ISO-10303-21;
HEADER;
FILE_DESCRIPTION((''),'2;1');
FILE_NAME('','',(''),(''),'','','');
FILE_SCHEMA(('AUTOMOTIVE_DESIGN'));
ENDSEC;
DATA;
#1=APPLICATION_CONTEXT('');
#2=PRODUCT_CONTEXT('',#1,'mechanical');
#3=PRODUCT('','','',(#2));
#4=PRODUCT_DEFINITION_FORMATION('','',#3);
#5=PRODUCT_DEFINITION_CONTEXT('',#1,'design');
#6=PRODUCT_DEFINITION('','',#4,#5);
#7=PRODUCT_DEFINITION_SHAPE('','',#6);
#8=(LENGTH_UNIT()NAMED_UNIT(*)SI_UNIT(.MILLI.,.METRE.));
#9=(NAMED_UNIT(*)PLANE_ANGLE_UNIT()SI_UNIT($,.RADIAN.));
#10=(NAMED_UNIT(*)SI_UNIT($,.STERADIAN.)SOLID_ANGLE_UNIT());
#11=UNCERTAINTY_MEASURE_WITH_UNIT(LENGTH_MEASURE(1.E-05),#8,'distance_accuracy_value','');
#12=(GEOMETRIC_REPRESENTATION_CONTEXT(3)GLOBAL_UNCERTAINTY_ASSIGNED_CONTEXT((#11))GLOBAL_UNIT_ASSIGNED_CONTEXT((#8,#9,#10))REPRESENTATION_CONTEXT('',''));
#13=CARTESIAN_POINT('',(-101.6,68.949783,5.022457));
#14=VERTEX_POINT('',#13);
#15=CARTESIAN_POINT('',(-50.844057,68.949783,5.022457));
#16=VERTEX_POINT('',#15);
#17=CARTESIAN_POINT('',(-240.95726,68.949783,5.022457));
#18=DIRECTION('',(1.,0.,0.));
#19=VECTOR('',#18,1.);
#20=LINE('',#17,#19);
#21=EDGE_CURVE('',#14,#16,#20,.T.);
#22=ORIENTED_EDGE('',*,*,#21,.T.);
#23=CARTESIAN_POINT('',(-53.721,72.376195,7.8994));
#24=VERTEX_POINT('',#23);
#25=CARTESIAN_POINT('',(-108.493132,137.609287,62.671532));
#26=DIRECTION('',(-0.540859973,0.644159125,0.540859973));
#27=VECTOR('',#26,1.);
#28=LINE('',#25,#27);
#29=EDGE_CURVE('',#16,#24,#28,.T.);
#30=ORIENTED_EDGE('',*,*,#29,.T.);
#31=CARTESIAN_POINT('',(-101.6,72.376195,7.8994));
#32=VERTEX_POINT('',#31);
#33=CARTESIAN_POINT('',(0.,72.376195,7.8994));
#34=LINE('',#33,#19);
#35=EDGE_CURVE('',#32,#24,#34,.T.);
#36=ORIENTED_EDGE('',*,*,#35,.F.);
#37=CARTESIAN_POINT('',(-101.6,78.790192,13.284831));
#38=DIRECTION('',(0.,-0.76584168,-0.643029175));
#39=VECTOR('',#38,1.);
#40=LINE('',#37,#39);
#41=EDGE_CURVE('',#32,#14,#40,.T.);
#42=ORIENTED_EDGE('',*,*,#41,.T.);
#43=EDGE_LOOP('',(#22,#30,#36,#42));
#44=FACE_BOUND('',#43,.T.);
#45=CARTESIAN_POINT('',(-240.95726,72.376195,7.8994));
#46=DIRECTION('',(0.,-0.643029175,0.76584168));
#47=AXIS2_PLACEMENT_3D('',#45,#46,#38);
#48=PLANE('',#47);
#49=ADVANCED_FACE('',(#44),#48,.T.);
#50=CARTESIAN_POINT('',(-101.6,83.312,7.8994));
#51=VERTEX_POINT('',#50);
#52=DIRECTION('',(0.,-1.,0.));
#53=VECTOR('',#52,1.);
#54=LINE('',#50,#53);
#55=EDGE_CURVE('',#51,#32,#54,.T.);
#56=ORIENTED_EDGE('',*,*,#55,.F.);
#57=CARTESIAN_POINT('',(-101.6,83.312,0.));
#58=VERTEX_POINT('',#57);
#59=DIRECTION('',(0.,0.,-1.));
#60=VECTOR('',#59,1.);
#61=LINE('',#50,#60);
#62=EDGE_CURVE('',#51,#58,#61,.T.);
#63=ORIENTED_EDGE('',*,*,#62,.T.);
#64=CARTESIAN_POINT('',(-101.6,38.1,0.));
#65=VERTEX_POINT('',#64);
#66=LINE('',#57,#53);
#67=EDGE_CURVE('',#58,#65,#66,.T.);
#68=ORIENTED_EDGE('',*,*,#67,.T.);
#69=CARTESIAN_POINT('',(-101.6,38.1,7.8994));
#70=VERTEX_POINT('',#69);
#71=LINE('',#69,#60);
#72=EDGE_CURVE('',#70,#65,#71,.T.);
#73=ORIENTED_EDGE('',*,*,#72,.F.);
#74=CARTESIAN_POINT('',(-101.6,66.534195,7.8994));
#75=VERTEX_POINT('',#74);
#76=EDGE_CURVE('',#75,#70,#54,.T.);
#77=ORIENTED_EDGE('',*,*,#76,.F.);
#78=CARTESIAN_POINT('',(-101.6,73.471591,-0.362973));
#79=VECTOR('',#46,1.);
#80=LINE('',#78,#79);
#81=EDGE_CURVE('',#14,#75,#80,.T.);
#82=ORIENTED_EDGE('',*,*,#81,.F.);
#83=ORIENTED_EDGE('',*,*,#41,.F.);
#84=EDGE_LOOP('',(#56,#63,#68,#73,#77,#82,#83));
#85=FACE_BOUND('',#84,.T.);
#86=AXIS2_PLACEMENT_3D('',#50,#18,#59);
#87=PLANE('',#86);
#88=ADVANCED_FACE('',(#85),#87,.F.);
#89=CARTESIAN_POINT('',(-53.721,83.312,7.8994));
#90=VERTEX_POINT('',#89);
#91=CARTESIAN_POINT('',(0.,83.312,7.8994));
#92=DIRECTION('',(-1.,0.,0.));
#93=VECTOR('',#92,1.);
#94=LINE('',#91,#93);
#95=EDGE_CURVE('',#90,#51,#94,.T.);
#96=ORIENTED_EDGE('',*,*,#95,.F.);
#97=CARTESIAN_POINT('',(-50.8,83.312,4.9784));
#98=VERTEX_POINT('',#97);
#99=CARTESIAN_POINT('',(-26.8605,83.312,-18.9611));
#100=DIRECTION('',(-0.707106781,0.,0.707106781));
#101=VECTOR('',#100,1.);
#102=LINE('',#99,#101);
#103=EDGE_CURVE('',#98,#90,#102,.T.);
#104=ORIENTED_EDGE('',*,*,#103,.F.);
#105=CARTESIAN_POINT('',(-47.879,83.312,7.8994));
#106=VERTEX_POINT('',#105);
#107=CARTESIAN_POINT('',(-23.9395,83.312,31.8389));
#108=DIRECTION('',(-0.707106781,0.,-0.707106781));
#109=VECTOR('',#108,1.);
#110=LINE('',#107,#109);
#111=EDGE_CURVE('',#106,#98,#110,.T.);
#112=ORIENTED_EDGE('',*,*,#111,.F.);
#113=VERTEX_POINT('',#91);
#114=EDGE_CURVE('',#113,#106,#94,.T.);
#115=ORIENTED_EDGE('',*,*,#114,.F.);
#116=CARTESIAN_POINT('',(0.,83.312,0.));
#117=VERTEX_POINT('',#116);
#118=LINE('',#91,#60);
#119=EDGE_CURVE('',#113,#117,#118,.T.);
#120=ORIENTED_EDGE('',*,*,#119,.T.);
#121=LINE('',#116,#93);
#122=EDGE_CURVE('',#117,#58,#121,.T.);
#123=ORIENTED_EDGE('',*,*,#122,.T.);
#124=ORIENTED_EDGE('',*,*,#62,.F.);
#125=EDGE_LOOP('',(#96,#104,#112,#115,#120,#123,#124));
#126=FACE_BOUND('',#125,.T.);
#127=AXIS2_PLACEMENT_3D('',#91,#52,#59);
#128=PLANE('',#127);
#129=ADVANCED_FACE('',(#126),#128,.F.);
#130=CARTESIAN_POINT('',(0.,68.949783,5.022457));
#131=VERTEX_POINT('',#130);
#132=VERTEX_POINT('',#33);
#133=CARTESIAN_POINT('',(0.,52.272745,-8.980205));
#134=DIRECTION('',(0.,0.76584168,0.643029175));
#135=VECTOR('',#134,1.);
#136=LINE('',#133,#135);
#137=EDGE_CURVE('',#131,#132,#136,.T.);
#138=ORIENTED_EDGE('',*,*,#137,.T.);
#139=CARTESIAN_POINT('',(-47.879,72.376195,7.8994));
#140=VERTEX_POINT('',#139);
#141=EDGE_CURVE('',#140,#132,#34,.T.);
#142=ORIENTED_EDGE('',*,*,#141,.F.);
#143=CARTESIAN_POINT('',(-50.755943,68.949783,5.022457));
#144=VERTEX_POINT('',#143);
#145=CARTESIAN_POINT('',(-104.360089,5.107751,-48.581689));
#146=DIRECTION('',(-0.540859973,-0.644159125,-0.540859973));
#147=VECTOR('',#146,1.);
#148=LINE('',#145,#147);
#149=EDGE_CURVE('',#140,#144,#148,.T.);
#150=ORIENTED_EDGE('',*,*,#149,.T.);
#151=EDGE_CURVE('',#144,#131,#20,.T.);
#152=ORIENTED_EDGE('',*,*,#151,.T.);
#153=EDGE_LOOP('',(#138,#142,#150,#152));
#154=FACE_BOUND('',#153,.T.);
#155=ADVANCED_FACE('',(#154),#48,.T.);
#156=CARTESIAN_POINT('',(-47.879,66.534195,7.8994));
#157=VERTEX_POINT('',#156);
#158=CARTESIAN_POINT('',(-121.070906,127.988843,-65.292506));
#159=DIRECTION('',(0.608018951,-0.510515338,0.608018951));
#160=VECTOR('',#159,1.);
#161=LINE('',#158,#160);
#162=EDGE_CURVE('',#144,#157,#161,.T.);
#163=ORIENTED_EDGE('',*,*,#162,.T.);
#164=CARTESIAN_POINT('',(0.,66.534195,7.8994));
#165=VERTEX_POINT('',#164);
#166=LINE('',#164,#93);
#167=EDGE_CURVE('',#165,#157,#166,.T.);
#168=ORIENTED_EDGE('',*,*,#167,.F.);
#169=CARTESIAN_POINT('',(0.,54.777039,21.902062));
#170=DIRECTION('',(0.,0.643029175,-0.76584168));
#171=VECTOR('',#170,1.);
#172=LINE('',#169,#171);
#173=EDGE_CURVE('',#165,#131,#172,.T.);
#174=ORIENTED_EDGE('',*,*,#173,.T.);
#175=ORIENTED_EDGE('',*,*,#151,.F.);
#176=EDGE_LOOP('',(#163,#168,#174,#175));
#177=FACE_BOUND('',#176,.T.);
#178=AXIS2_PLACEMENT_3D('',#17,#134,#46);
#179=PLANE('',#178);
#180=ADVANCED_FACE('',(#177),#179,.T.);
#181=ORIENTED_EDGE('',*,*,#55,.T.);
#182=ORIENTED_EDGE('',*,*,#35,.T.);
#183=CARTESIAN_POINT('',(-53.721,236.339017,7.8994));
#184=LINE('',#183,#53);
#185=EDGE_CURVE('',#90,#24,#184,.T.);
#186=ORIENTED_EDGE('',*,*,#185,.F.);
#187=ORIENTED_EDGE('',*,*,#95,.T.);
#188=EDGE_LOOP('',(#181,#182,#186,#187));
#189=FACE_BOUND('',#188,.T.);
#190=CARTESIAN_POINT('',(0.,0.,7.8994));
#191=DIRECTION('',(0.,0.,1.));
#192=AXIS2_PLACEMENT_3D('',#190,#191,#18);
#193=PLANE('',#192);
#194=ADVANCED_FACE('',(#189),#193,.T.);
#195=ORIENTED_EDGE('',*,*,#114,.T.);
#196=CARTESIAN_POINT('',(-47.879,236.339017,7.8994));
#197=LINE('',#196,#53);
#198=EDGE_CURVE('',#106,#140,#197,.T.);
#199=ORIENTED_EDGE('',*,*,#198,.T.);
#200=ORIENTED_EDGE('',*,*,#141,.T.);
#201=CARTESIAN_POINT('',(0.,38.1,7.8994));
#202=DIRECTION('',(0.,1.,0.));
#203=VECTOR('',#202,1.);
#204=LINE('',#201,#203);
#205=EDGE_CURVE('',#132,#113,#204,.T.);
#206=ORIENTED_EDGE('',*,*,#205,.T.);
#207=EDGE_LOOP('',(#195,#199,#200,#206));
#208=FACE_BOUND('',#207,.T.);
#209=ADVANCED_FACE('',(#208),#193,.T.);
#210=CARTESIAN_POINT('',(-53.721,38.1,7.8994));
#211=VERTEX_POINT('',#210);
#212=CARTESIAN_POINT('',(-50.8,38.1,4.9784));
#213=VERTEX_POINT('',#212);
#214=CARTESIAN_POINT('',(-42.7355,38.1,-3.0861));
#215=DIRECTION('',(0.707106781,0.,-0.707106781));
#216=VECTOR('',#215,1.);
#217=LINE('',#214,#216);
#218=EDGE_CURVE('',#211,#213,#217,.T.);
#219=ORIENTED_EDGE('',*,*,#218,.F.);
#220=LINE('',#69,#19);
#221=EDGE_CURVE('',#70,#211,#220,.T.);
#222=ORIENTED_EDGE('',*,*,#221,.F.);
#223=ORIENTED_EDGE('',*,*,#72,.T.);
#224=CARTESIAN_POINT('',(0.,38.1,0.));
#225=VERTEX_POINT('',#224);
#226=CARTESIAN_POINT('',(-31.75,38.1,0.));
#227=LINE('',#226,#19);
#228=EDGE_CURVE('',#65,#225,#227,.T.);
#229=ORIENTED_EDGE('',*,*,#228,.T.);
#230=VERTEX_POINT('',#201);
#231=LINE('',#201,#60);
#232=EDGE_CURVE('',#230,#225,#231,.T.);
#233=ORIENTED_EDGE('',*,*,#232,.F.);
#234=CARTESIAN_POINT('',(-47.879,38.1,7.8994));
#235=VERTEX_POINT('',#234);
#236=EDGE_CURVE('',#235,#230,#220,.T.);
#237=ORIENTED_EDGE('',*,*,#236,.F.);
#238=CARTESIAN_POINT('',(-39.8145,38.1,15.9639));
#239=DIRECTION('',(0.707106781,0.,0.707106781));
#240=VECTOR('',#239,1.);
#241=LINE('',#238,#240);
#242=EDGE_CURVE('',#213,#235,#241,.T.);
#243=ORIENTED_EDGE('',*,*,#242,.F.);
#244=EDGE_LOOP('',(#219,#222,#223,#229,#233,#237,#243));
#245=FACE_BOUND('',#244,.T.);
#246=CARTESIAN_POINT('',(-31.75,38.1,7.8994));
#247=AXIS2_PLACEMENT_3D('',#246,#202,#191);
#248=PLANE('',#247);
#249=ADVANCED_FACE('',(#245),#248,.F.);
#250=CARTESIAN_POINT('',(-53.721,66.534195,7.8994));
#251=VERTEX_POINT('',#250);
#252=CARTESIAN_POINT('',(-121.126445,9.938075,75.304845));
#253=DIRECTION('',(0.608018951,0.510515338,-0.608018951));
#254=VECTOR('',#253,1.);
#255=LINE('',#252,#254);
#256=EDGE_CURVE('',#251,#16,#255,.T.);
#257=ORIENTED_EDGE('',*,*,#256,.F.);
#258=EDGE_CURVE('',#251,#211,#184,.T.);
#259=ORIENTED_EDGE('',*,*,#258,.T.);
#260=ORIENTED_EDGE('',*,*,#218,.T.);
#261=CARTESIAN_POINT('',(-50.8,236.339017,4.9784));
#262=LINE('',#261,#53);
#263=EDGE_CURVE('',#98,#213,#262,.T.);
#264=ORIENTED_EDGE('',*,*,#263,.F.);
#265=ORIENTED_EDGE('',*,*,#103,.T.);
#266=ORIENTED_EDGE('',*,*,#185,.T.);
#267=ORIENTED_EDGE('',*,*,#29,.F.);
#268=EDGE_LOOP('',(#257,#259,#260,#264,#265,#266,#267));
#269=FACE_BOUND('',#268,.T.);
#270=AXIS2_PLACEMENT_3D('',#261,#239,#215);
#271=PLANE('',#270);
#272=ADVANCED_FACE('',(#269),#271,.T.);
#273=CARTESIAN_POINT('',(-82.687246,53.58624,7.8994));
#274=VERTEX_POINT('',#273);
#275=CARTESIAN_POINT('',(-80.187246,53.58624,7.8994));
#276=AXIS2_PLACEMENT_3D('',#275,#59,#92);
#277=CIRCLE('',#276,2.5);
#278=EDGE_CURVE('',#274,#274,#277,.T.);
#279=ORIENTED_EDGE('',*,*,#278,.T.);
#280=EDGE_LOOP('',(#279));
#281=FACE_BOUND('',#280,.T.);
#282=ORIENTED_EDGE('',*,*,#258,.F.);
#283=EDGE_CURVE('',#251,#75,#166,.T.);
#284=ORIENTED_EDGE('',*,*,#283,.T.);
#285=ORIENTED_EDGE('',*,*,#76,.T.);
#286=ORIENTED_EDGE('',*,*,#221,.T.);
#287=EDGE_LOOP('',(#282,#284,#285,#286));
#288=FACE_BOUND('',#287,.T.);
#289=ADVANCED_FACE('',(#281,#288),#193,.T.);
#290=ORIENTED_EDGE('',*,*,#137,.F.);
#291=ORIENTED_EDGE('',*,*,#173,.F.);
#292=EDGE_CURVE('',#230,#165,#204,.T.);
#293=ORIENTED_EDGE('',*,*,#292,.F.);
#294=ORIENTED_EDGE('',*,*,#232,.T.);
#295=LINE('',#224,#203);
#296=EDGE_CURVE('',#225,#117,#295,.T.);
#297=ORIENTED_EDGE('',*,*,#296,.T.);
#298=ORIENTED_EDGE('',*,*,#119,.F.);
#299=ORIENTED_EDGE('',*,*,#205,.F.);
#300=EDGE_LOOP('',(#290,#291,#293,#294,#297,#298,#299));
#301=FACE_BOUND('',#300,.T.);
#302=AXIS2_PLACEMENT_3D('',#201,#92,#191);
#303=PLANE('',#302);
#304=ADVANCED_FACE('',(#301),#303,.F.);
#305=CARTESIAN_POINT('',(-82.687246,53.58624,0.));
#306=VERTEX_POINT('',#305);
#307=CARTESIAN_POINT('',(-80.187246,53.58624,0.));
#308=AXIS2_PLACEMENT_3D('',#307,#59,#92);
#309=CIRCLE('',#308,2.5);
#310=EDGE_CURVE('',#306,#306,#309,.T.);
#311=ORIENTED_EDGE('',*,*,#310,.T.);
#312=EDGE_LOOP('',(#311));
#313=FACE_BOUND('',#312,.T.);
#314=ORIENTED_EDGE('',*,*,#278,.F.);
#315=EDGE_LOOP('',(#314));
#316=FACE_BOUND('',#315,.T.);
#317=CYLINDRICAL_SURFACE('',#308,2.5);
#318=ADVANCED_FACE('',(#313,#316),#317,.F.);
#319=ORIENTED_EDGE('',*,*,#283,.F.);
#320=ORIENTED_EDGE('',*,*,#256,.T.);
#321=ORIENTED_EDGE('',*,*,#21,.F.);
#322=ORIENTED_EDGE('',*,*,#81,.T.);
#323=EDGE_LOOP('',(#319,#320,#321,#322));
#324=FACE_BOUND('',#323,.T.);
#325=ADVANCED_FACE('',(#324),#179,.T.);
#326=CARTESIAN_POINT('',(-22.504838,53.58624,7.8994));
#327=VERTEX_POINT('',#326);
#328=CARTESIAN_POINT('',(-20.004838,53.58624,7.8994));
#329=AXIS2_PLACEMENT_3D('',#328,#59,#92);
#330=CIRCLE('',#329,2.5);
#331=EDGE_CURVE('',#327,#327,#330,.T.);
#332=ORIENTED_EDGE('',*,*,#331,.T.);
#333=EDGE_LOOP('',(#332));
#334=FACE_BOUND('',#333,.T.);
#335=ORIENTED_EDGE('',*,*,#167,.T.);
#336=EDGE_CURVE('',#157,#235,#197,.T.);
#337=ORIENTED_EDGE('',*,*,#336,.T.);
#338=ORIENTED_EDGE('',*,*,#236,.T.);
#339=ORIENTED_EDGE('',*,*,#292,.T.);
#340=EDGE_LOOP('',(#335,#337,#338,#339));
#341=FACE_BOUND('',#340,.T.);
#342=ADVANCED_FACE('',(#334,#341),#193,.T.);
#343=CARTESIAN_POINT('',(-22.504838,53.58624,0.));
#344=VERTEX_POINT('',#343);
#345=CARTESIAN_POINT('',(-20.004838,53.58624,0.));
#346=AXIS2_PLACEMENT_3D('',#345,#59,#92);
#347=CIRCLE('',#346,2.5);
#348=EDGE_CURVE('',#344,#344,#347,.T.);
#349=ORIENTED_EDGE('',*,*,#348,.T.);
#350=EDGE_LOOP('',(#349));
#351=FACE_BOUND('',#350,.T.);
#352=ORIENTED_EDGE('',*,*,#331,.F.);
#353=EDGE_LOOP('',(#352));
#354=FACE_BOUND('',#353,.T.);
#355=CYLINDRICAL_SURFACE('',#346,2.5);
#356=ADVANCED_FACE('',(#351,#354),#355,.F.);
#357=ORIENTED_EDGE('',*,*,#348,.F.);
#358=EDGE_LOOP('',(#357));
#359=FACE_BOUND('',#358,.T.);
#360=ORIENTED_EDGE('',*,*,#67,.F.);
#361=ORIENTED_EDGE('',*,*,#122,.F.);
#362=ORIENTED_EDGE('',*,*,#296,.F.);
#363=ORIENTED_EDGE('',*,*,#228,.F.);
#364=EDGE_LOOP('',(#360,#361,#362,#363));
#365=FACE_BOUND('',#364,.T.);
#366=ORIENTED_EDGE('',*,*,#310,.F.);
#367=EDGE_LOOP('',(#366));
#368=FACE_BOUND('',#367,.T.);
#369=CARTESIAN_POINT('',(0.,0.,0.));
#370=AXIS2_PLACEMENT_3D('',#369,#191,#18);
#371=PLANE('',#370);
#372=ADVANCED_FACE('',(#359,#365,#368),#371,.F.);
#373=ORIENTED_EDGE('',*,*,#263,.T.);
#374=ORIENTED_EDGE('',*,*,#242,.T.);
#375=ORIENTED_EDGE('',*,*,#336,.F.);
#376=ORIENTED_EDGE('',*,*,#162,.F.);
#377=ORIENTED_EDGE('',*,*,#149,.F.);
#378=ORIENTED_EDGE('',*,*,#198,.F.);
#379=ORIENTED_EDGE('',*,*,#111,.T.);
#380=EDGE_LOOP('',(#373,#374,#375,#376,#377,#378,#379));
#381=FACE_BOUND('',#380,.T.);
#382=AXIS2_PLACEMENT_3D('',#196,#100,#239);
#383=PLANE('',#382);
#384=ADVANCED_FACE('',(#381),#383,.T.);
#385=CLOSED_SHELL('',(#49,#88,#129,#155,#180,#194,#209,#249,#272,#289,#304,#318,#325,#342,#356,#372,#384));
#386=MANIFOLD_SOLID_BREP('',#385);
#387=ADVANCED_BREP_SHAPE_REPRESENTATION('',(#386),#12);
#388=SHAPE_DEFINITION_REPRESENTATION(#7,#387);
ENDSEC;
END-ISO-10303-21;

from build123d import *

# Parameters (mm, degrees)
BOSS_EXTRUDE1_DEPTH     = 7.8994
CUT_EXTRUDE1_DEPTH      = 132.627694139
CUT_EXTRUDE1_DEPTH_BACK = 132.627694139
CUT_EXTRUDE2_DEPTH      = 112.485808354
CUT_EXTRUDE2_DEPTH_BACK = 112.485808354
M6X1_0_TAPPED_HOLE1_D   = 5


with BuildPart() as part:
    # Sketch1 → Boss-Extrude1 (new body)
    with BuildSketch(Plane.XY):
        Polygon((-101.6, 83.312), (-101.6, 38.1), (-69.85, 38.1), (-31.75, 38.1), (0, 38.1), (0, 83.312), align=None)
    extrude(amount=BOSS_EXTRUDE1_DEPTH)

    # Sketch2 → Cut-Extrude1 (cut, two sides: drawn at the far end of the back side and taken through both)
    with BuildSketch(Plane.ZY.offset(101.6).offset(-CUT_EXTRUDE1_DEPTH_BACK)):
        Polygon((59.566381815, 133.911082828), (7.8994, 72.376195004), (5.022457184, 68.949783256), (7.8994, 66.534195004), (69.434287825, 14.867213189), (229.583733305, 28.142484569), (219.715827295, 147.186354208), align=None)
    extrude(amount=CUT_EXTRUDE1_DEPTH + CUT_EXTRUDE1_DEPTH_BACK, mode=Mode.SUBTRACT)

    # Sketch3 → Cut-Extrude2 (cut, two sides: drawn at the far end of the back side and taken through both)
    with BuildSketch(Plane(origin=(0, 83.312, 0), x_dir=(1, 0, 0), z_dir=(0, 1, 0)).offset(-CUT_EXTRUDE2_DEPTH_BACK)):
        Polygon((35.981993731, -91.760393731), (-47.879, -7.8994), (-50.8, -4.9784), (-53.721, -7.8994), (-137.581993731, -91.760393731), (-137.581993731, -328.955103109), (35.981993731, -328.955103109), align=None)
    extrude(amount=CUT_EXTRUDE2_DEPTH + CUT_EXTRUDE2_DEPTH_BACK, mode=Mode.SUBTRACT)

    # M6x1.0 Tapped Hole1 (through all)
    with Locations(Plane(origin=(-50.8, 0, 0), x_dir=(-1, 0, 0), z_dir=(0, 0, -1))):
        with Locations((-30.795161674, 53.586240129), (29.387245779, 53.586240129)):
            Hole(M6X1_0_TAPPED_HOLE1_D / 2)


solid = part.part
